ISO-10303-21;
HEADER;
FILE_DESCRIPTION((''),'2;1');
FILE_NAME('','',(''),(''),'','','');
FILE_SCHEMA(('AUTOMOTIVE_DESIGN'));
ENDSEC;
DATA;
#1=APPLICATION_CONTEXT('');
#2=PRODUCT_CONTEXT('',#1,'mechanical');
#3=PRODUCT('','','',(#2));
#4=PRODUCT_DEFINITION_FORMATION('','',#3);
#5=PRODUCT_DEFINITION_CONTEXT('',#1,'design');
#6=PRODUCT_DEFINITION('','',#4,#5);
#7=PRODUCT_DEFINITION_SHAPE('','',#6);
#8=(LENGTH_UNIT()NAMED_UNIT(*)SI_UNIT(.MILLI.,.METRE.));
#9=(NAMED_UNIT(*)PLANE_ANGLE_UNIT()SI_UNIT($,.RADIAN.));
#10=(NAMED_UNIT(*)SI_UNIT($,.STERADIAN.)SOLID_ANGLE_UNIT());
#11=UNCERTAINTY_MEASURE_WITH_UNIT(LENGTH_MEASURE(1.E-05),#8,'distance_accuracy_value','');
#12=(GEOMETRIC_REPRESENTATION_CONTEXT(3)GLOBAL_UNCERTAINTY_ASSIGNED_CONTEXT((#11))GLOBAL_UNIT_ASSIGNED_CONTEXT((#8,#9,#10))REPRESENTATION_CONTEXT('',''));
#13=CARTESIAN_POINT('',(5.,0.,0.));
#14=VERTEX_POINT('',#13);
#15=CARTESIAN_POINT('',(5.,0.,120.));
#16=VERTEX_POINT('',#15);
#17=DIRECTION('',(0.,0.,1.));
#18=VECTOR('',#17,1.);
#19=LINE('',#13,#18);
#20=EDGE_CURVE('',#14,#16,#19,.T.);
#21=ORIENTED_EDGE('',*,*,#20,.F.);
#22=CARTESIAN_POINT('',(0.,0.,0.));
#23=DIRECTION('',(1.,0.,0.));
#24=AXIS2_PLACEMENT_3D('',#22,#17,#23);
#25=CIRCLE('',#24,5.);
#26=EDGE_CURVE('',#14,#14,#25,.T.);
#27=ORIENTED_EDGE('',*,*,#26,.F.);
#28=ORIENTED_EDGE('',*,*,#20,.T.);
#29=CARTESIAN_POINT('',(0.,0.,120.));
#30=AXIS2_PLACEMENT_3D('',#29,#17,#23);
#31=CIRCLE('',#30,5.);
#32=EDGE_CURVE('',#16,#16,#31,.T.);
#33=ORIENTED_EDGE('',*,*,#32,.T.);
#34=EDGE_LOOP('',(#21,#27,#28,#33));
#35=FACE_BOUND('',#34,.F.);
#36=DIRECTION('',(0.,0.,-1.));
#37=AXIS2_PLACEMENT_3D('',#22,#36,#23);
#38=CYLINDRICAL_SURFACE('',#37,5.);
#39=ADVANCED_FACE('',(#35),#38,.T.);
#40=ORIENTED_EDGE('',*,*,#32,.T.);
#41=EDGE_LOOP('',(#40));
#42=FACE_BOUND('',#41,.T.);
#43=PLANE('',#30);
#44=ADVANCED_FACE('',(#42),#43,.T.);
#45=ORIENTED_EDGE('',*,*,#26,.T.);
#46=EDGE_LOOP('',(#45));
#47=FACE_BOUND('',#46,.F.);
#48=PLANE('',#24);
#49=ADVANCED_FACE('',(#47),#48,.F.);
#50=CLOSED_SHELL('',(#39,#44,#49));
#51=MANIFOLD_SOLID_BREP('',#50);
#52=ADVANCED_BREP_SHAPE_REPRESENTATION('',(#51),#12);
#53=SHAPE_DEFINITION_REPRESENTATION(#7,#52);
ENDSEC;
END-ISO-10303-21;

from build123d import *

# Parameters (mm, degrees)
SKETCH_R  = 5
PAD_DEPTH = 120


with BuildPart() as part:
    # Sketch → Pad (new body)
    with BuildSketch(Plane.XY):
        Circle(SKETCH_R)
    extrude(amount=PAD_DEPTH)


solid = part.part
